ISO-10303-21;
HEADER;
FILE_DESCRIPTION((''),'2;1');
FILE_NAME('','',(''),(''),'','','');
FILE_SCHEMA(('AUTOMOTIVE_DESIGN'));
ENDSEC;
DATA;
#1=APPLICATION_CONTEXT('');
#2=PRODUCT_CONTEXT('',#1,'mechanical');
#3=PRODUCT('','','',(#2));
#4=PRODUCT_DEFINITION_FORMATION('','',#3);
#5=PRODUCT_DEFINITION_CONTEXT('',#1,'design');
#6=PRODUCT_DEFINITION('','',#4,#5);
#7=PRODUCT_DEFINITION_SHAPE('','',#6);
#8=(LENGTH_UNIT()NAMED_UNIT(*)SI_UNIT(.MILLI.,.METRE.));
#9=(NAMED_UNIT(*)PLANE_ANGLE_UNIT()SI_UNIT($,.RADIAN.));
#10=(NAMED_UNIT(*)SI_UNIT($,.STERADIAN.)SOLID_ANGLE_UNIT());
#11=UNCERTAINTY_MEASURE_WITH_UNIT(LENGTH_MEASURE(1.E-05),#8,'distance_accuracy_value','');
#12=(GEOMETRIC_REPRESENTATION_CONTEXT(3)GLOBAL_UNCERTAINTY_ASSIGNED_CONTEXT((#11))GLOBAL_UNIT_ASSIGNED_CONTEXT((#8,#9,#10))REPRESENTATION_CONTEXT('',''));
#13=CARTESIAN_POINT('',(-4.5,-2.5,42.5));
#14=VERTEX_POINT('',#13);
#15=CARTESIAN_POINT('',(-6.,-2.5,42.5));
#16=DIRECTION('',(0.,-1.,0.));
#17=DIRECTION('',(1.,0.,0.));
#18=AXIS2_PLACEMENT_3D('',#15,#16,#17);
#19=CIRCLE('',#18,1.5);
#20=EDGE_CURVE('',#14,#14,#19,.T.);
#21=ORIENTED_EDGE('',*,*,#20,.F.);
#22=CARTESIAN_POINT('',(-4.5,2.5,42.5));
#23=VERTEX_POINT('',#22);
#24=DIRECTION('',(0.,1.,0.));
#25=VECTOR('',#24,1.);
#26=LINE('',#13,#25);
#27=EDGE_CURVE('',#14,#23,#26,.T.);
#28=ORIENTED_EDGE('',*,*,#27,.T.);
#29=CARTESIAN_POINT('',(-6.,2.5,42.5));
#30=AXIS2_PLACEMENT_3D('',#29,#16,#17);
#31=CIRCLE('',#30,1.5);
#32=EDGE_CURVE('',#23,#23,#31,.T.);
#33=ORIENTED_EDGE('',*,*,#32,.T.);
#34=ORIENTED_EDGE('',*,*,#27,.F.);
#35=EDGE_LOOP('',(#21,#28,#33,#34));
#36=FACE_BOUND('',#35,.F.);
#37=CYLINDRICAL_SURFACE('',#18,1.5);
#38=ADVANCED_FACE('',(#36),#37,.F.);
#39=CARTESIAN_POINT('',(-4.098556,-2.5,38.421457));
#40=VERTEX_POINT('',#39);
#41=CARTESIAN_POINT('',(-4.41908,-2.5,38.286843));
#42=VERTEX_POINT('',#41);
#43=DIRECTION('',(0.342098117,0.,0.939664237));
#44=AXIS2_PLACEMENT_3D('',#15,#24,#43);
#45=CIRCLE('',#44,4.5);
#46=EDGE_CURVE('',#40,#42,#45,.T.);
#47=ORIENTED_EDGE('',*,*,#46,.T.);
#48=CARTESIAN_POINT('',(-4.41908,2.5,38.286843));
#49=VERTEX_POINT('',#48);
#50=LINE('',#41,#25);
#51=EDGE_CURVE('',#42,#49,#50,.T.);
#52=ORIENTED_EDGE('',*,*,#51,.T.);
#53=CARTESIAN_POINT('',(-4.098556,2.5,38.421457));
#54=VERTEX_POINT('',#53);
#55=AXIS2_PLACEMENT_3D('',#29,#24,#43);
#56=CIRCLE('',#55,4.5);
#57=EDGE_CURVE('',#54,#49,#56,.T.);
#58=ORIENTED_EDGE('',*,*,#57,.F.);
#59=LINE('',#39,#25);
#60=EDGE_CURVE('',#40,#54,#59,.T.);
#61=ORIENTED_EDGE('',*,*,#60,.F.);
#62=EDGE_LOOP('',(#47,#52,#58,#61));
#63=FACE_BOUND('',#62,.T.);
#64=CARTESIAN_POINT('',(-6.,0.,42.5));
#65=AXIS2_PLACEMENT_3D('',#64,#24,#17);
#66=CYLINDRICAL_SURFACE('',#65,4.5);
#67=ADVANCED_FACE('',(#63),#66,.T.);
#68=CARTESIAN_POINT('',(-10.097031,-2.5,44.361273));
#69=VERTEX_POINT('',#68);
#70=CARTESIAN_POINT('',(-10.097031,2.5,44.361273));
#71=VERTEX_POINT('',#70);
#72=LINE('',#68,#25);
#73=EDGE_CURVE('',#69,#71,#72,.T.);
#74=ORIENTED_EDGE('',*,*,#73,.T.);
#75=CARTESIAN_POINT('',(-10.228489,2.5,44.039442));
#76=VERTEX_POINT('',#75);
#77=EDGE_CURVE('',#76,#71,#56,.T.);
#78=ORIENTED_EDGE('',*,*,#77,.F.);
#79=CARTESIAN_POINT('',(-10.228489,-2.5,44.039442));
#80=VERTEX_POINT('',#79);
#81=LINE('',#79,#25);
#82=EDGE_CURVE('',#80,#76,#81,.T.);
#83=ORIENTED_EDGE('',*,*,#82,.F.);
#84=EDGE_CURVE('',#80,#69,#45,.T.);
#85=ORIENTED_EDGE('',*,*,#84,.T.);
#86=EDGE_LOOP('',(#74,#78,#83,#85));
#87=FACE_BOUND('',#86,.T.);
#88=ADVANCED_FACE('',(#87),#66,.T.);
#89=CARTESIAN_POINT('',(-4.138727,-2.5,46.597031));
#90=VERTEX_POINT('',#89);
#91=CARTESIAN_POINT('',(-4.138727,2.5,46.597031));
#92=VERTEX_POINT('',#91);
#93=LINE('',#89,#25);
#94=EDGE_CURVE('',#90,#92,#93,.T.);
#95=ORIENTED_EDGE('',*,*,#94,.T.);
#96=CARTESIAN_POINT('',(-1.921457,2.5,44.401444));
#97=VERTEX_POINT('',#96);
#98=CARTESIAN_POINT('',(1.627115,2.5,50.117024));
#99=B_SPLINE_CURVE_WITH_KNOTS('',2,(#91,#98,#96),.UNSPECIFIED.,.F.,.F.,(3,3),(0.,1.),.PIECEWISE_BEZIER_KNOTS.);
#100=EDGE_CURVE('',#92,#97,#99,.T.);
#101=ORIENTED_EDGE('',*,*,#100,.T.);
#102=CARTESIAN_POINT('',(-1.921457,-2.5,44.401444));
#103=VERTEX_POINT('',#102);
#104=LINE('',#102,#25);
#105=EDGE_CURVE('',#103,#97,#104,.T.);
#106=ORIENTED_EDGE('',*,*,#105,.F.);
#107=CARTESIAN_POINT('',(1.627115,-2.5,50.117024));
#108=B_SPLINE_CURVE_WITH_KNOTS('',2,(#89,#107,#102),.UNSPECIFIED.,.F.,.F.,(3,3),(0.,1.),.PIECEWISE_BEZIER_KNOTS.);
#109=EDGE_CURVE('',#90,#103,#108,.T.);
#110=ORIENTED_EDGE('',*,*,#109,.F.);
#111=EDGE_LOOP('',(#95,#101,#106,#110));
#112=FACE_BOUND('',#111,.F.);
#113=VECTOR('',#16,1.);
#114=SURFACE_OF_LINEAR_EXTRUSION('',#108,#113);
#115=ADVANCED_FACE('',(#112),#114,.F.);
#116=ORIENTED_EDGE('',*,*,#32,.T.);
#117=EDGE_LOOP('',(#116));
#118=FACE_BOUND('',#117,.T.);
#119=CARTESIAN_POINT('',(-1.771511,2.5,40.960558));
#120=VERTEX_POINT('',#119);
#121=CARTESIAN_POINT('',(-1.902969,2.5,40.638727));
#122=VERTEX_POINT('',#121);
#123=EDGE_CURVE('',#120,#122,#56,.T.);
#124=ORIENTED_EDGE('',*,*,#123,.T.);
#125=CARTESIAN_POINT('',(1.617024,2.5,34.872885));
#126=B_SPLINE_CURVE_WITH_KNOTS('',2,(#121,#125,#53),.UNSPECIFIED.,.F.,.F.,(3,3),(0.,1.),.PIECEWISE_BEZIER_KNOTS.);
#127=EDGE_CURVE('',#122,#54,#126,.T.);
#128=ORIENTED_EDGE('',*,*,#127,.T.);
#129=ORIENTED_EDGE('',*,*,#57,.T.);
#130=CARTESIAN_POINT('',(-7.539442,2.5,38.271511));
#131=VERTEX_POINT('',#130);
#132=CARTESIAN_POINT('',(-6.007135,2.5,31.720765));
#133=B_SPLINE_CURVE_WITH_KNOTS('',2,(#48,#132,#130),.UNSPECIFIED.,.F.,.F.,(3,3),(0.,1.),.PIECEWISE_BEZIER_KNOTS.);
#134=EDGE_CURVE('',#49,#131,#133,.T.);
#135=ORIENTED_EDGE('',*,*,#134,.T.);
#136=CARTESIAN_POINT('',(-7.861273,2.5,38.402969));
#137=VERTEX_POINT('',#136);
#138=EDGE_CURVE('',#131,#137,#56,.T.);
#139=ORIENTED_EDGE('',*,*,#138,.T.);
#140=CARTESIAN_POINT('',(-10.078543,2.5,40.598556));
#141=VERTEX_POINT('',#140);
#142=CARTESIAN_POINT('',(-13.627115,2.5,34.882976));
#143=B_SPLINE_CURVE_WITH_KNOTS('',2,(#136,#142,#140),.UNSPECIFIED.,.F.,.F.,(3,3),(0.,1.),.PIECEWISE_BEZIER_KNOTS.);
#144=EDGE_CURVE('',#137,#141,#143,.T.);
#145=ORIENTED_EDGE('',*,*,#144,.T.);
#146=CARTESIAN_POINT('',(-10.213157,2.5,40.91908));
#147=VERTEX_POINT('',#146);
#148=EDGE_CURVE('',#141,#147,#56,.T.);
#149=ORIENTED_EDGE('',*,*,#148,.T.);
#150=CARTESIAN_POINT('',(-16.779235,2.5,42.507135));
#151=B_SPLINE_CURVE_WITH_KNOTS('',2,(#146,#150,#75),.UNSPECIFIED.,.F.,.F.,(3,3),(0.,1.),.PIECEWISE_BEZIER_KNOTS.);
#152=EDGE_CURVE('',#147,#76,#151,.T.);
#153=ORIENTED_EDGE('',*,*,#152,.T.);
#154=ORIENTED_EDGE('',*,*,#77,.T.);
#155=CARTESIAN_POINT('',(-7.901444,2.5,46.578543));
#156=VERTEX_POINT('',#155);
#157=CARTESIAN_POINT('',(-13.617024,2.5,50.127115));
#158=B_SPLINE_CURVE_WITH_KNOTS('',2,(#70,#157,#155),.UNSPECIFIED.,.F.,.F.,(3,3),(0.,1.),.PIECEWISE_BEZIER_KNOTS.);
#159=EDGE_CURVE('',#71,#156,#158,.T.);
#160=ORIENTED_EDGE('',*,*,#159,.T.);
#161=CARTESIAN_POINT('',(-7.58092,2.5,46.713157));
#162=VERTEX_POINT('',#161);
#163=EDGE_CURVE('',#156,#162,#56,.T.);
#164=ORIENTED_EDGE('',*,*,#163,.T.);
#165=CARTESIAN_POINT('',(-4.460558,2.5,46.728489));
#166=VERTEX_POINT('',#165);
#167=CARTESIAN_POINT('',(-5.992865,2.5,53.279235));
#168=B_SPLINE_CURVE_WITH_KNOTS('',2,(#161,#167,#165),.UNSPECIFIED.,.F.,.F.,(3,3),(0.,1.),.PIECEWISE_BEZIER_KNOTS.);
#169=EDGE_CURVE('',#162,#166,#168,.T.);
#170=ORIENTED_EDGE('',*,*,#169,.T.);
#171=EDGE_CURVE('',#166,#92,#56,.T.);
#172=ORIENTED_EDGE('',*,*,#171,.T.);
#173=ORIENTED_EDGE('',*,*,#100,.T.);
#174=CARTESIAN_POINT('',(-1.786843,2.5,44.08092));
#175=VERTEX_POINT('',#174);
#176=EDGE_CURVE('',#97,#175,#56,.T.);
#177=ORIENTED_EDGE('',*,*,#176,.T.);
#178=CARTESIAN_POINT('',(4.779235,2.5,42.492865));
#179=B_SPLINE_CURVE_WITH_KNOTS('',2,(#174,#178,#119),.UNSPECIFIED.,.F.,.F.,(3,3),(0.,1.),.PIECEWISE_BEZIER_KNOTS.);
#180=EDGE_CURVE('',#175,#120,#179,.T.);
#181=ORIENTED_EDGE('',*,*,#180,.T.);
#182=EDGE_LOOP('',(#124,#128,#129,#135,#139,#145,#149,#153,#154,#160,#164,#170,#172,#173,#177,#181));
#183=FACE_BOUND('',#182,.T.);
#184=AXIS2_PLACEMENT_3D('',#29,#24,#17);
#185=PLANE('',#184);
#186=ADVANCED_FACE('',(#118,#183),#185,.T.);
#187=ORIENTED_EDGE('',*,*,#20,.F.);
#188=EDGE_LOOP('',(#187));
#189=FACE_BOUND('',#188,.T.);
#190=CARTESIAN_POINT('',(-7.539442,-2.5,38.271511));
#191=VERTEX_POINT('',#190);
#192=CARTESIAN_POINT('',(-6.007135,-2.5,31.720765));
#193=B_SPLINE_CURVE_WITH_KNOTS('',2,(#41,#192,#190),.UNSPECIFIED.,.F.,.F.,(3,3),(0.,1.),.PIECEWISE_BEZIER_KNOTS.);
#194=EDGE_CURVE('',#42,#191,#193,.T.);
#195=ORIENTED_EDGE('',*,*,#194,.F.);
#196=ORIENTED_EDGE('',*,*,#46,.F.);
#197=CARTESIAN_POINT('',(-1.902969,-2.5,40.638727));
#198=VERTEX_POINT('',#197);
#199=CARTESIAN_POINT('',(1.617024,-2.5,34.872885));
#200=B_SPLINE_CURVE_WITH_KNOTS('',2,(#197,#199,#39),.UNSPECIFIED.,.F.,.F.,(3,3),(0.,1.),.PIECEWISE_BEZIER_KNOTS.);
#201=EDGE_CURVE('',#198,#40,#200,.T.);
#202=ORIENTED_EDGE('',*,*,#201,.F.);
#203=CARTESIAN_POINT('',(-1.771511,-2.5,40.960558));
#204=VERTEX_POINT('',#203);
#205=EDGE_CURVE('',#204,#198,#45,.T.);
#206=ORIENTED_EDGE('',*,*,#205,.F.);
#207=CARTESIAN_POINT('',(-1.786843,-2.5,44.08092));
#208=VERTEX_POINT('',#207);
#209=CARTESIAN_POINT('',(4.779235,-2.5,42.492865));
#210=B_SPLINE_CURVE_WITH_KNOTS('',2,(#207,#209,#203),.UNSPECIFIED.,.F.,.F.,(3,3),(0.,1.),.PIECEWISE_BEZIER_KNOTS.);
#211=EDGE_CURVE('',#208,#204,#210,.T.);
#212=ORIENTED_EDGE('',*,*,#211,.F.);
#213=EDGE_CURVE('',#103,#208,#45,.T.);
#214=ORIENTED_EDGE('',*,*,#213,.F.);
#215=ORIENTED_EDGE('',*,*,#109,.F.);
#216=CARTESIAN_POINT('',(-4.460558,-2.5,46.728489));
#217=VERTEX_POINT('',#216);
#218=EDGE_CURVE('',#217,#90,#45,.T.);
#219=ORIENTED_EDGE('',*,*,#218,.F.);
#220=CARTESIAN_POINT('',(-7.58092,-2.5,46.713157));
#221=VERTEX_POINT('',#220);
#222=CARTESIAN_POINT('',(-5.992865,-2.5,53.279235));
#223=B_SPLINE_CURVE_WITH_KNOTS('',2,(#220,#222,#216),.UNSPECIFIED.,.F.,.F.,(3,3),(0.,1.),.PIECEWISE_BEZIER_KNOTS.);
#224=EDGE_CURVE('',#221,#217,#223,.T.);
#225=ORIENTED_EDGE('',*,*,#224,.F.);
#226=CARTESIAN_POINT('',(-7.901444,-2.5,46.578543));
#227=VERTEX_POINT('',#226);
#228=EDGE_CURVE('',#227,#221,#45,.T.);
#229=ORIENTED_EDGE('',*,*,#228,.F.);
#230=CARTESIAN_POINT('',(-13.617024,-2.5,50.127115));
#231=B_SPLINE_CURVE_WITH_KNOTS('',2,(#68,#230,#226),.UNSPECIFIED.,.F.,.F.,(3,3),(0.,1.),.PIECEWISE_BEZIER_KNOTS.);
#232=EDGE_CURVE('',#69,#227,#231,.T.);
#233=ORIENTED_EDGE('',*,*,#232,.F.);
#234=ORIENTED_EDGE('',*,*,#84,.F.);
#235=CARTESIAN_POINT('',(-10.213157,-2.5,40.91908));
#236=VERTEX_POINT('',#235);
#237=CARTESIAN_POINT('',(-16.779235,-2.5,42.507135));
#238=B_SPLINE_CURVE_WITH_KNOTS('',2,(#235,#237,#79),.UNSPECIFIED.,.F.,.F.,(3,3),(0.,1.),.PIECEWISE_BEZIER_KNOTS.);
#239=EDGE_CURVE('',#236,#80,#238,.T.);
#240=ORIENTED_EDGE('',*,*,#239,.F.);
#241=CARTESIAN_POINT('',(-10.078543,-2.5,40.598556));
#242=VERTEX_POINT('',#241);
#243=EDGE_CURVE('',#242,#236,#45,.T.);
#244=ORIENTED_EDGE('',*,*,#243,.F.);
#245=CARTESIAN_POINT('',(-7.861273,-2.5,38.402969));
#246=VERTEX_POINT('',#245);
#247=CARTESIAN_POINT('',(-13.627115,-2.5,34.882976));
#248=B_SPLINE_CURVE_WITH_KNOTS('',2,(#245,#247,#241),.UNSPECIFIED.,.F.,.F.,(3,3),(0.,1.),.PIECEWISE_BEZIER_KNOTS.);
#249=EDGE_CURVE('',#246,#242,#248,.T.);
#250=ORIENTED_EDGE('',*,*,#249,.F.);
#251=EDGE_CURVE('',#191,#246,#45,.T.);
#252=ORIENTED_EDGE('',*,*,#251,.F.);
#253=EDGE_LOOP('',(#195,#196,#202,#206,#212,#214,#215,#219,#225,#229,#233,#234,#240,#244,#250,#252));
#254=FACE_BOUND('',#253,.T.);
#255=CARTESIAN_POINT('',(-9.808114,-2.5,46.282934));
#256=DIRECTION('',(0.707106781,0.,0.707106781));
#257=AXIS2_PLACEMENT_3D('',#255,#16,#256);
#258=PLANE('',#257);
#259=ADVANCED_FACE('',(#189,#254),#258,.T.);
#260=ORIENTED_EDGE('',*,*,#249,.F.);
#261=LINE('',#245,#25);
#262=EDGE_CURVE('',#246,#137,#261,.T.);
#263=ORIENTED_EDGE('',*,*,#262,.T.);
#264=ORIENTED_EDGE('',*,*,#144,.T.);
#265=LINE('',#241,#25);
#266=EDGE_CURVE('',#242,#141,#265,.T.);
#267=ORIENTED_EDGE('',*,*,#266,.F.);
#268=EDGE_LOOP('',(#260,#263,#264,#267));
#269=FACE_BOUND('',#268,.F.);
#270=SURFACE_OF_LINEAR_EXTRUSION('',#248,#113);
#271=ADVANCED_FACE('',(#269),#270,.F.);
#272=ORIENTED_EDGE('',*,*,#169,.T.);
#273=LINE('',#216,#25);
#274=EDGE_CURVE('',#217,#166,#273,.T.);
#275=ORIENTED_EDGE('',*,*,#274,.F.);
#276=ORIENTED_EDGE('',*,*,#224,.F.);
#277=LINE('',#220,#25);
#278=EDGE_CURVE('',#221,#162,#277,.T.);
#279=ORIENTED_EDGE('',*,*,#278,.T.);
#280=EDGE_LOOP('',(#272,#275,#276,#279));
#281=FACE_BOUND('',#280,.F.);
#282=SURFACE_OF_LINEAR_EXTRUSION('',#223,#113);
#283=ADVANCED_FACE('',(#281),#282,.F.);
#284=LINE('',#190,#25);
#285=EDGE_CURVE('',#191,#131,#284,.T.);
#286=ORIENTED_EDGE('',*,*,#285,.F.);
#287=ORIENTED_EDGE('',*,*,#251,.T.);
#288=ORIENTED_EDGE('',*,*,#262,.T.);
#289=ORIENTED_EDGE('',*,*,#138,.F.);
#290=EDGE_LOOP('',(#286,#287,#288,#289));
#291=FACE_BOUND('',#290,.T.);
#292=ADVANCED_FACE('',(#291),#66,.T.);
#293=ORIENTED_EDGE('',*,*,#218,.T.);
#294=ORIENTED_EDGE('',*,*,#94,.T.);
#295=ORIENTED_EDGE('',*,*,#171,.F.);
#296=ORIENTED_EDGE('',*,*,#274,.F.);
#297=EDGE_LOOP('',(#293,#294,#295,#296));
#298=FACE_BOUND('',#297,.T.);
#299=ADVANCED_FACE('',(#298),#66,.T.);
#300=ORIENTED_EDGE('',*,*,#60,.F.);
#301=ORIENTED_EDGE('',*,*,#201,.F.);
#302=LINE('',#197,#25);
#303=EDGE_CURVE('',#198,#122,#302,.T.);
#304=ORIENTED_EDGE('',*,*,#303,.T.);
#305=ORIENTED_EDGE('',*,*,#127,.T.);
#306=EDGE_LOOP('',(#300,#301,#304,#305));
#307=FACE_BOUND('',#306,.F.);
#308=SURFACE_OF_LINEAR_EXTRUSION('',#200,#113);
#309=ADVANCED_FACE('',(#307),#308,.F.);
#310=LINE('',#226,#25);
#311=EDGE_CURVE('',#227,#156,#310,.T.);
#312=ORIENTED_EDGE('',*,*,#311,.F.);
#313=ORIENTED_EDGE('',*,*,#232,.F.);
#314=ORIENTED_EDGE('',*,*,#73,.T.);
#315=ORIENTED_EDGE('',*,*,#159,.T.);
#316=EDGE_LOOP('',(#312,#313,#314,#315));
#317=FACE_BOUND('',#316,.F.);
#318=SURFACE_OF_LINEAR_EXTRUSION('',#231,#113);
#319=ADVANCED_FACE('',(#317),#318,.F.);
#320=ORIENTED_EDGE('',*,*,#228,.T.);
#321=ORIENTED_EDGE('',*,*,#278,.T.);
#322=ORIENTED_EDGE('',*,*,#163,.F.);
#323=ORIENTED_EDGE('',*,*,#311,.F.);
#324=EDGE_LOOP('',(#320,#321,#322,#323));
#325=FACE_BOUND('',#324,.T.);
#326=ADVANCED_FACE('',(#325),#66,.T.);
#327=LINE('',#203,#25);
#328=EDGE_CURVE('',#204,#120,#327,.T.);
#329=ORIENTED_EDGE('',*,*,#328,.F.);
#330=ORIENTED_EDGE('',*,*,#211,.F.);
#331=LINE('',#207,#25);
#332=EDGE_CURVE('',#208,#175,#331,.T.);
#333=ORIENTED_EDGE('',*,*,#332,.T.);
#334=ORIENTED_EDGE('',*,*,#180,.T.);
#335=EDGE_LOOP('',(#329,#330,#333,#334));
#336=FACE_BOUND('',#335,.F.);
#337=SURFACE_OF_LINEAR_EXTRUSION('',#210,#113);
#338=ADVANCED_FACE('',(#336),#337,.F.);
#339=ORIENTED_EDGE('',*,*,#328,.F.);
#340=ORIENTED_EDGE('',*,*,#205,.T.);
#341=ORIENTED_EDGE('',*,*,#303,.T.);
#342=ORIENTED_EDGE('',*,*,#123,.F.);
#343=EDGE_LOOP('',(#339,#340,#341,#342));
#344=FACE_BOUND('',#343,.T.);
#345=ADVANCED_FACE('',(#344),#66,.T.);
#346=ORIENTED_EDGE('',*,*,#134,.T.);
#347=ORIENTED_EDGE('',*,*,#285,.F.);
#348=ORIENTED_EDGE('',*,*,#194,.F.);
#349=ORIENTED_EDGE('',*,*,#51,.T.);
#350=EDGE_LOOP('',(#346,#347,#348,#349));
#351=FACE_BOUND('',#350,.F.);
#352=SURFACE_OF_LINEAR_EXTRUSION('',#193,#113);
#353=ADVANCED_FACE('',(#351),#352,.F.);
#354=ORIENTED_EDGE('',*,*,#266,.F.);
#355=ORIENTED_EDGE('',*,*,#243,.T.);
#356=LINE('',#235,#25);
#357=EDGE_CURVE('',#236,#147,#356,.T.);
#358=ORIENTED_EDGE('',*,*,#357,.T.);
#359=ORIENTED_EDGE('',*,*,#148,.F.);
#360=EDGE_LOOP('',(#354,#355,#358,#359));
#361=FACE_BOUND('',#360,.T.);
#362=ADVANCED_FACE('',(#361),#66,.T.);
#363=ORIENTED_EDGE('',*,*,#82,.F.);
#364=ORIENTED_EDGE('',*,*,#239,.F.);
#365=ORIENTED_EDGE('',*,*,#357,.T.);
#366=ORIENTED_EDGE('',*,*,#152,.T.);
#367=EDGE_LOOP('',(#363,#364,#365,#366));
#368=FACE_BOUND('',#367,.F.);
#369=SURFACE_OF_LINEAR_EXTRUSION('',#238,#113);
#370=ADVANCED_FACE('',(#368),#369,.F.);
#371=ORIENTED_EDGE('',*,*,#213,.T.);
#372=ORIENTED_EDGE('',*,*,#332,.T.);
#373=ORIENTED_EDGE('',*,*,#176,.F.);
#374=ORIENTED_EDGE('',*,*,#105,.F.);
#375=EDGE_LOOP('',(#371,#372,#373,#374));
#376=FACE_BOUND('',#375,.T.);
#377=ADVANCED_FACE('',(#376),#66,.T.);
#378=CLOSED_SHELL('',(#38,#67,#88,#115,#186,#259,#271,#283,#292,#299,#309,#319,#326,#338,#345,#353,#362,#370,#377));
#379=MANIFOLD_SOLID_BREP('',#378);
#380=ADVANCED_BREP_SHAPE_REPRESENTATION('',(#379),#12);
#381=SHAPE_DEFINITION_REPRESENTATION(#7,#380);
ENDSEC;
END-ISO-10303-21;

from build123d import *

# Parameters (mm, degrees)
SKETCH3_R           = 4.5
BOSS_EXTRUDE2_DEPTH = 2.5
BOSS_EXTRUDE3_DEPTH = 5
CIRPATTERN1_COUNT   = 8
SKETCH7_R           = 1.5
CUT_EXTRUDE1_DEPTH  = 5


with BuildPart() as part:
    # Sketch3 → Boss-Extrude2 (new body, symmetric)
    with BuildSketch(Plane(origin=(0, 0, 0), x_dir=(1, 0, 0), z_dir=(0, 1, 0))):
        with Locations((-6, -42.5)):
            Circle(SKETCH3_R)
    extrude(amount=BOSS_EXTRUDE2_DEPTH, both=True)

    # Sketch5 → Boss-Extrude3 (add, through all)
    with BuildSketch(Plane.XZ.offset(2.5)):
        with BuildLine():
            Line((-7.58091961, 46.713157152), (-4.460558472, 46.728489066))
            add(Edge.make_bspline(
                [(-7.58091961, 46.713157152), (-5.992864636, 53.279234709), (-4.460558472, 46.728489066)],
                knots=[0, 0, 0, 1, 1, 1], degree=2))
        make_face()
    boss_extrude3 = extrude(amount=-BOSS_EXTRUDE3_DEPTH)

    # CirPattern1: Boss-Extrude3 ×8 about axis
    cirpattern1_axis = Axis((-6, -2.5, 42.5), (0, 1, 0))
    for i in range(1, CIRPATTERN1_COUNT):
        add(boss_extrude3.rotate(cirpattern1_axis, i * 360 / CIRPATTERN1_COUNT))

    # Sketch7 → Cut-Extrude1 (cut)
    with BuildSketch(Plane.XZ.offset(2.5)):
        with Locations((-6, 42.5)):
            Circle(SKETCH7_R)
    extrude(amount=-CUT_EXTRUDE1_DEPTH, mode=Mode.SUBTRACT)


solid = part.part
